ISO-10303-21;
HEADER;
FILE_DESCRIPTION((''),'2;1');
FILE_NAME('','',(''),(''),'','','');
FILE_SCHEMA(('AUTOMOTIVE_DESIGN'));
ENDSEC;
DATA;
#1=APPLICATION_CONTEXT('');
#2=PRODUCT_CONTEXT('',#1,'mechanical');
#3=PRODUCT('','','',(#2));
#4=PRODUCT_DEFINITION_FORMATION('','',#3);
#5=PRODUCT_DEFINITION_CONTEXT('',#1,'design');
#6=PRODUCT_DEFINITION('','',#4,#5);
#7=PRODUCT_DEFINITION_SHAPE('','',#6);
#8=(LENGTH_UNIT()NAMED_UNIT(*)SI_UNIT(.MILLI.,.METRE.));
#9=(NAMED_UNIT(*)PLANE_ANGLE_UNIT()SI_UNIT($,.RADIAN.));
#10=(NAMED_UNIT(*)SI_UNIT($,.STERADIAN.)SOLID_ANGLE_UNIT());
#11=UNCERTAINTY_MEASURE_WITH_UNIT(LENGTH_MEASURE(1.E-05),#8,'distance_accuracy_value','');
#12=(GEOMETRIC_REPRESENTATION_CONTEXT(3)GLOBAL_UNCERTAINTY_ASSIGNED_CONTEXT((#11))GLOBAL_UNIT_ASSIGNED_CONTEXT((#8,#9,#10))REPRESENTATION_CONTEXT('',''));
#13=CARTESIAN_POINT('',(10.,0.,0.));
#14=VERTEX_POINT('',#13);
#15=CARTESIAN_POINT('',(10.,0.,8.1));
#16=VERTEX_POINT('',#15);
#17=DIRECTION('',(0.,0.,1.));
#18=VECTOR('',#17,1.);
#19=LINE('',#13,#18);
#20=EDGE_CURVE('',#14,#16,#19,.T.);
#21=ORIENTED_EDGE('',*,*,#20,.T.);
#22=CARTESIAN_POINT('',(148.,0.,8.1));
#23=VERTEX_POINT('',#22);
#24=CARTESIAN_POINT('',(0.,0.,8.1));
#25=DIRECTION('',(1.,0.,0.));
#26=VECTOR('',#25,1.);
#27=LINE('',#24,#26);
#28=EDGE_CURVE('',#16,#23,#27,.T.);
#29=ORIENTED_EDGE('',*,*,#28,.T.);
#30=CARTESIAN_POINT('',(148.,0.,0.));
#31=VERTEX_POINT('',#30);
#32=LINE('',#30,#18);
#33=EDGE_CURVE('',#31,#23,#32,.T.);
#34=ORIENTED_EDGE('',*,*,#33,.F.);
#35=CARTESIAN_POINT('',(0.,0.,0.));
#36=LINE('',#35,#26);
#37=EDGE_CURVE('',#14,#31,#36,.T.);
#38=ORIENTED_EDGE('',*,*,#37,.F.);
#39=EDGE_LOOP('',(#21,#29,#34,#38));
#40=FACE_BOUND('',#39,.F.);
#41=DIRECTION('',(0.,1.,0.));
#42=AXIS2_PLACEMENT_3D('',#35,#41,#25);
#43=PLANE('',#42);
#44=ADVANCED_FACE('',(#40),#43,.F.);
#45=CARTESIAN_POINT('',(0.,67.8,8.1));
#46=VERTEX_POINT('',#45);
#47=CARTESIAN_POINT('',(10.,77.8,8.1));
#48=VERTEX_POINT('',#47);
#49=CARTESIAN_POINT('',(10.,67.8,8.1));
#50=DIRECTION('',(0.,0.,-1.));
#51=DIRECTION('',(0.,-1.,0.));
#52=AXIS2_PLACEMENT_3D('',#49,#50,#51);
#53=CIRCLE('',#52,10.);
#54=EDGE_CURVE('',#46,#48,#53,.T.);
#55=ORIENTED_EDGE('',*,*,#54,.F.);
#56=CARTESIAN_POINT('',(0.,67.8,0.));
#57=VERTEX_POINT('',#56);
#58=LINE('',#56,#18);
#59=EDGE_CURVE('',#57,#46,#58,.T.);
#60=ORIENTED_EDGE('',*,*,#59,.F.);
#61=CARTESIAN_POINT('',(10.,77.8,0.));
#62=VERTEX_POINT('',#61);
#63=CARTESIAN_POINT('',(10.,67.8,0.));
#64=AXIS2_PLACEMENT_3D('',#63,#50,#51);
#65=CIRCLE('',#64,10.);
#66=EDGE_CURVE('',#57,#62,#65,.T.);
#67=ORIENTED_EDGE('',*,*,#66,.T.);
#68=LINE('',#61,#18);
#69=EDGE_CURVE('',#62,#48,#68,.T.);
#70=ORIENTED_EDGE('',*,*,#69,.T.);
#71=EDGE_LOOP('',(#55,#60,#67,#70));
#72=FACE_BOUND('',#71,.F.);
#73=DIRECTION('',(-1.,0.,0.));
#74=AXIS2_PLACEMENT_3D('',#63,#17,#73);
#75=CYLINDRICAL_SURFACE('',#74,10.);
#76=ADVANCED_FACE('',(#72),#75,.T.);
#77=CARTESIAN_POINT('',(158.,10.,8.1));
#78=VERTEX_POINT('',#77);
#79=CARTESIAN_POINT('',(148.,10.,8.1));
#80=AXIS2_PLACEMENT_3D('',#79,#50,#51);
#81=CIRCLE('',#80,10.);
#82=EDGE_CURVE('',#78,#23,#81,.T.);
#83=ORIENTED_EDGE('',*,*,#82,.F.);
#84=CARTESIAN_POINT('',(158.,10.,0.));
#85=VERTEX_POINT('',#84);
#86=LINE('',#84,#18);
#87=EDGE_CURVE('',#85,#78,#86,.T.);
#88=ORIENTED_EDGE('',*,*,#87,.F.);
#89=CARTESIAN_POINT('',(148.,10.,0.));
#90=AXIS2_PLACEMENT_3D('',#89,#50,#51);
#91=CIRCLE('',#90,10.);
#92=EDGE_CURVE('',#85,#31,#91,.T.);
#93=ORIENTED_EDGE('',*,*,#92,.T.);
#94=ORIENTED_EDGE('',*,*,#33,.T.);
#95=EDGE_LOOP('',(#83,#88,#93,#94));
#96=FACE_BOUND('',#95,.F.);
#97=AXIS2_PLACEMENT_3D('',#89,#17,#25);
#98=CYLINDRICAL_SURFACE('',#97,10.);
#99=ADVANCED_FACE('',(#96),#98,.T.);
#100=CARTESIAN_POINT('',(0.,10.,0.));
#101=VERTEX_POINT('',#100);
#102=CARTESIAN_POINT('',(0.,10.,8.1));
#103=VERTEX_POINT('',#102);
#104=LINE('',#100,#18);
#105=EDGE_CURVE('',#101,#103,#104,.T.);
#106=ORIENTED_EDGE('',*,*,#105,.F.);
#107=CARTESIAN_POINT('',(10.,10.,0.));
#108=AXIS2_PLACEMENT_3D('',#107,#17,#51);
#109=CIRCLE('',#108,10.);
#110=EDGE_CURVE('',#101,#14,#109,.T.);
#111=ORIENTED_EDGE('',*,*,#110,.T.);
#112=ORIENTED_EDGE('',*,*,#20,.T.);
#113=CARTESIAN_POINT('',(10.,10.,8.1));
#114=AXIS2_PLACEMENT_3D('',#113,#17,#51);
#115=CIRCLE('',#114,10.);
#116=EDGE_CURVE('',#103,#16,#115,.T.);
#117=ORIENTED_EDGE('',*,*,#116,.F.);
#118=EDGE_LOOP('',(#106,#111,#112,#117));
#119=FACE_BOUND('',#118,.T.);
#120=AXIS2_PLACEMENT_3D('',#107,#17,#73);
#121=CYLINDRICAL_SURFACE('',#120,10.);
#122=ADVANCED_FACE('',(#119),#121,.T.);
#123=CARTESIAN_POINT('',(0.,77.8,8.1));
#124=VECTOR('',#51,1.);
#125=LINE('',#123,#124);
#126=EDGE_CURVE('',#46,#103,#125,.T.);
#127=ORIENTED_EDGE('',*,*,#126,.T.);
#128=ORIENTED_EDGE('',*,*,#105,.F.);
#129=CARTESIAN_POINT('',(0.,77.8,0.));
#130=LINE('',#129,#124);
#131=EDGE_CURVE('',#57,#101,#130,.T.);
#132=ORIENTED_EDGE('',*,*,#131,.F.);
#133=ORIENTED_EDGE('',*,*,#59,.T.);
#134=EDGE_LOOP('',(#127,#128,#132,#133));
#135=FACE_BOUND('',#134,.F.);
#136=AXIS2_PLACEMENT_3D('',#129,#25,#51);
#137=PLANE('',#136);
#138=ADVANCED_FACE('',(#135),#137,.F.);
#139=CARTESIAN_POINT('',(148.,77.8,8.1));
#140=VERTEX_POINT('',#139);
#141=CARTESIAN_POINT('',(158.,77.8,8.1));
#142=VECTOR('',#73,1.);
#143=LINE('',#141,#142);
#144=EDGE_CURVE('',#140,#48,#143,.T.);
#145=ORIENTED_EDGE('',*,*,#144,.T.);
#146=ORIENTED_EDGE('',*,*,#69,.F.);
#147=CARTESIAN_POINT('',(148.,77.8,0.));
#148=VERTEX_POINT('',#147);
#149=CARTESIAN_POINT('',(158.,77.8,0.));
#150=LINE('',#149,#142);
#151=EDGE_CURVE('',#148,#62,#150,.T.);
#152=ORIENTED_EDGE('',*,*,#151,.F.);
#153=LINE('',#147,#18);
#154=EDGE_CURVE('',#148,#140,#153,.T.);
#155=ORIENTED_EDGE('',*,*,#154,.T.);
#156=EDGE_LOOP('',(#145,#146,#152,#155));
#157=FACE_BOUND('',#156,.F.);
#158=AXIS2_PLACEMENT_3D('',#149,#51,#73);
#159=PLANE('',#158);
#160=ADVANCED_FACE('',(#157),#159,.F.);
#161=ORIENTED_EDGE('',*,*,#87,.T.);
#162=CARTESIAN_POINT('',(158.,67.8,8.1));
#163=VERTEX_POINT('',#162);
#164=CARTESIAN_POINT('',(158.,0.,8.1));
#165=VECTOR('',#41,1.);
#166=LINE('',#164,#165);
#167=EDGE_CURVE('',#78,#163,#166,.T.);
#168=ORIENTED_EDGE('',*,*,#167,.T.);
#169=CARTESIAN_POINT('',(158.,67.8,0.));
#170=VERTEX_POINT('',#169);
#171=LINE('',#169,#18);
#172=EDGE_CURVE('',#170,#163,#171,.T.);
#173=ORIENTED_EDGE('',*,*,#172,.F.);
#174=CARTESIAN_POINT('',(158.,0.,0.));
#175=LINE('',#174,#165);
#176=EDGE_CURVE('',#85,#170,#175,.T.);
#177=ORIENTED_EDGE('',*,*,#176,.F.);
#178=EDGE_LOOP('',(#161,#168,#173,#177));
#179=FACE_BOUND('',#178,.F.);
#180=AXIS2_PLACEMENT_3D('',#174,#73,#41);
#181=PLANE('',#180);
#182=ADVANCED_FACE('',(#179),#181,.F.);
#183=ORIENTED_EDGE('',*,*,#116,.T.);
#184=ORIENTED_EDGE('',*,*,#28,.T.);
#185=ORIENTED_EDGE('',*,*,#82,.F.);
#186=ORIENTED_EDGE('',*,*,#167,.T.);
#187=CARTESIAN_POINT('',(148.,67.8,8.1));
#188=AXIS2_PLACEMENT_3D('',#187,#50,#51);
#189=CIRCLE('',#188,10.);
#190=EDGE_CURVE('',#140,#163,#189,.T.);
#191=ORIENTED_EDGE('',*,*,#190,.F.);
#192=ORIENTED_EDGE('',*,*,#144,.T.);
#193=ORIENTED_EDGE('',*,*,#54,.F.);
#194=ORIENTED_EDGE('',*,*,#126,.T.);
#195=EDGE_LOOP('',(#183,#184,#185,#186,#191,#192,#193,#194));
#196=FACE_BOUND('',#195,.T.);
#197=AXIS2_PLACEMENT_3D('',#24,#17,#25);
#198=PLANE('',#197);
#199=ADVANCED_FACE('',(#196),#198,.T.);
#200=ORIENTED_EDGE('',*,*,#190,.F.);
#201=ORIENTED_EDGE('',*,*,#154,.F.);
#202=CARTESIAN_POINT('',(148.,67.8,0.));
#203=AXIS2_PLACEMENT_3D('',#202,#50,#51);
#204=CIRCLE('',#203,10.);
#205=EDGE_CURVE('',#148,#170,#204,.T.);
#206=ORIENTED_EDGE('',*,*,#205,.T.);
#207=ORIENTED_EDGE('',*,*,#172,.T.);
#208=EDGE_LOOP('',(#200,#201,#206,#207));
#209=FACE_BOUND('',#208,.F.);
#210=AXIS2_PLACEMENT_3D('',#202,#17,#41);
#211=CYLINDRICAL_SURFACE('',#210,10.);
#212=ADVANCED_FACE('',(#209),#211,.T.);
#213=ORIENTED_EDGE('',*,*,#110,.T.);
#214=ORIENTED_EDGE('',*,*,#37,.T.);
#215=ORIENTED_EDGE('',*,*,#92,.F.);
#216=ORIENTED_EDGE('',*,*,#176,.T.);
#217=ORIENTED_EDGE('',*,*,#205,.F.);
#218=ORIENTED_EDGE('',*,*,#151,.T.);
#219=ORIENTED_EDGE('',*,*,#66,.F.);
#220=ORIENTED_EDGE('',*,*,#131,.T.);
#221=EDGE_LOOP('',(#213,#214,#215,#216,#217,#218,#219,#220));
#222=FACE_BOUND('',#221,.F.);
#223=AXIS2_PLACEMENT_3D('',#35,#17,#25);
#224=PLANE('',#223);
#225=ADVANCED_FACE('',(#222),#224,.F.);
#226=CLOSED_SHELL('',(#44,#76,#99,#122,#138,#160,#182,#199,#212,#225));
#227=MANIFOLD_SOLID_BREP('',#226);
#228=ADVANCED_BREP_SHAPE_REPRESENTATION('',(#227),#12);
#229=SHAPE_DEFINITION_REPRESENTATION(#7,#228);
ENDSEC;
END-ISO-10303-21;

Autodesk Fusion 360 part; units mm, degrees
sketch "Skizze1" plane through (0, 0, 0) normal (0, 0, 1) x (1, 0, 0)
  line L0 (0, 0) -> (158, 0)
  line L1 (158, 0) -> (158, 77.8)
  line L2 (158, 77.8) -> (0, 77.8)
  line L3 (0, 77.8) -> (0, 0)
  dimension "d1" = 158
  dimension "d2" = 77.8
extrude "Extrusion1" add sketch "Skizze1" along normal blind 8.1
fillet "Abrundung1" radius 10 4 edges at (0, 0, 4.05) (158, 0, 4.05) (158, 77.8, 4.05) (0, 77.8, 4.05)
